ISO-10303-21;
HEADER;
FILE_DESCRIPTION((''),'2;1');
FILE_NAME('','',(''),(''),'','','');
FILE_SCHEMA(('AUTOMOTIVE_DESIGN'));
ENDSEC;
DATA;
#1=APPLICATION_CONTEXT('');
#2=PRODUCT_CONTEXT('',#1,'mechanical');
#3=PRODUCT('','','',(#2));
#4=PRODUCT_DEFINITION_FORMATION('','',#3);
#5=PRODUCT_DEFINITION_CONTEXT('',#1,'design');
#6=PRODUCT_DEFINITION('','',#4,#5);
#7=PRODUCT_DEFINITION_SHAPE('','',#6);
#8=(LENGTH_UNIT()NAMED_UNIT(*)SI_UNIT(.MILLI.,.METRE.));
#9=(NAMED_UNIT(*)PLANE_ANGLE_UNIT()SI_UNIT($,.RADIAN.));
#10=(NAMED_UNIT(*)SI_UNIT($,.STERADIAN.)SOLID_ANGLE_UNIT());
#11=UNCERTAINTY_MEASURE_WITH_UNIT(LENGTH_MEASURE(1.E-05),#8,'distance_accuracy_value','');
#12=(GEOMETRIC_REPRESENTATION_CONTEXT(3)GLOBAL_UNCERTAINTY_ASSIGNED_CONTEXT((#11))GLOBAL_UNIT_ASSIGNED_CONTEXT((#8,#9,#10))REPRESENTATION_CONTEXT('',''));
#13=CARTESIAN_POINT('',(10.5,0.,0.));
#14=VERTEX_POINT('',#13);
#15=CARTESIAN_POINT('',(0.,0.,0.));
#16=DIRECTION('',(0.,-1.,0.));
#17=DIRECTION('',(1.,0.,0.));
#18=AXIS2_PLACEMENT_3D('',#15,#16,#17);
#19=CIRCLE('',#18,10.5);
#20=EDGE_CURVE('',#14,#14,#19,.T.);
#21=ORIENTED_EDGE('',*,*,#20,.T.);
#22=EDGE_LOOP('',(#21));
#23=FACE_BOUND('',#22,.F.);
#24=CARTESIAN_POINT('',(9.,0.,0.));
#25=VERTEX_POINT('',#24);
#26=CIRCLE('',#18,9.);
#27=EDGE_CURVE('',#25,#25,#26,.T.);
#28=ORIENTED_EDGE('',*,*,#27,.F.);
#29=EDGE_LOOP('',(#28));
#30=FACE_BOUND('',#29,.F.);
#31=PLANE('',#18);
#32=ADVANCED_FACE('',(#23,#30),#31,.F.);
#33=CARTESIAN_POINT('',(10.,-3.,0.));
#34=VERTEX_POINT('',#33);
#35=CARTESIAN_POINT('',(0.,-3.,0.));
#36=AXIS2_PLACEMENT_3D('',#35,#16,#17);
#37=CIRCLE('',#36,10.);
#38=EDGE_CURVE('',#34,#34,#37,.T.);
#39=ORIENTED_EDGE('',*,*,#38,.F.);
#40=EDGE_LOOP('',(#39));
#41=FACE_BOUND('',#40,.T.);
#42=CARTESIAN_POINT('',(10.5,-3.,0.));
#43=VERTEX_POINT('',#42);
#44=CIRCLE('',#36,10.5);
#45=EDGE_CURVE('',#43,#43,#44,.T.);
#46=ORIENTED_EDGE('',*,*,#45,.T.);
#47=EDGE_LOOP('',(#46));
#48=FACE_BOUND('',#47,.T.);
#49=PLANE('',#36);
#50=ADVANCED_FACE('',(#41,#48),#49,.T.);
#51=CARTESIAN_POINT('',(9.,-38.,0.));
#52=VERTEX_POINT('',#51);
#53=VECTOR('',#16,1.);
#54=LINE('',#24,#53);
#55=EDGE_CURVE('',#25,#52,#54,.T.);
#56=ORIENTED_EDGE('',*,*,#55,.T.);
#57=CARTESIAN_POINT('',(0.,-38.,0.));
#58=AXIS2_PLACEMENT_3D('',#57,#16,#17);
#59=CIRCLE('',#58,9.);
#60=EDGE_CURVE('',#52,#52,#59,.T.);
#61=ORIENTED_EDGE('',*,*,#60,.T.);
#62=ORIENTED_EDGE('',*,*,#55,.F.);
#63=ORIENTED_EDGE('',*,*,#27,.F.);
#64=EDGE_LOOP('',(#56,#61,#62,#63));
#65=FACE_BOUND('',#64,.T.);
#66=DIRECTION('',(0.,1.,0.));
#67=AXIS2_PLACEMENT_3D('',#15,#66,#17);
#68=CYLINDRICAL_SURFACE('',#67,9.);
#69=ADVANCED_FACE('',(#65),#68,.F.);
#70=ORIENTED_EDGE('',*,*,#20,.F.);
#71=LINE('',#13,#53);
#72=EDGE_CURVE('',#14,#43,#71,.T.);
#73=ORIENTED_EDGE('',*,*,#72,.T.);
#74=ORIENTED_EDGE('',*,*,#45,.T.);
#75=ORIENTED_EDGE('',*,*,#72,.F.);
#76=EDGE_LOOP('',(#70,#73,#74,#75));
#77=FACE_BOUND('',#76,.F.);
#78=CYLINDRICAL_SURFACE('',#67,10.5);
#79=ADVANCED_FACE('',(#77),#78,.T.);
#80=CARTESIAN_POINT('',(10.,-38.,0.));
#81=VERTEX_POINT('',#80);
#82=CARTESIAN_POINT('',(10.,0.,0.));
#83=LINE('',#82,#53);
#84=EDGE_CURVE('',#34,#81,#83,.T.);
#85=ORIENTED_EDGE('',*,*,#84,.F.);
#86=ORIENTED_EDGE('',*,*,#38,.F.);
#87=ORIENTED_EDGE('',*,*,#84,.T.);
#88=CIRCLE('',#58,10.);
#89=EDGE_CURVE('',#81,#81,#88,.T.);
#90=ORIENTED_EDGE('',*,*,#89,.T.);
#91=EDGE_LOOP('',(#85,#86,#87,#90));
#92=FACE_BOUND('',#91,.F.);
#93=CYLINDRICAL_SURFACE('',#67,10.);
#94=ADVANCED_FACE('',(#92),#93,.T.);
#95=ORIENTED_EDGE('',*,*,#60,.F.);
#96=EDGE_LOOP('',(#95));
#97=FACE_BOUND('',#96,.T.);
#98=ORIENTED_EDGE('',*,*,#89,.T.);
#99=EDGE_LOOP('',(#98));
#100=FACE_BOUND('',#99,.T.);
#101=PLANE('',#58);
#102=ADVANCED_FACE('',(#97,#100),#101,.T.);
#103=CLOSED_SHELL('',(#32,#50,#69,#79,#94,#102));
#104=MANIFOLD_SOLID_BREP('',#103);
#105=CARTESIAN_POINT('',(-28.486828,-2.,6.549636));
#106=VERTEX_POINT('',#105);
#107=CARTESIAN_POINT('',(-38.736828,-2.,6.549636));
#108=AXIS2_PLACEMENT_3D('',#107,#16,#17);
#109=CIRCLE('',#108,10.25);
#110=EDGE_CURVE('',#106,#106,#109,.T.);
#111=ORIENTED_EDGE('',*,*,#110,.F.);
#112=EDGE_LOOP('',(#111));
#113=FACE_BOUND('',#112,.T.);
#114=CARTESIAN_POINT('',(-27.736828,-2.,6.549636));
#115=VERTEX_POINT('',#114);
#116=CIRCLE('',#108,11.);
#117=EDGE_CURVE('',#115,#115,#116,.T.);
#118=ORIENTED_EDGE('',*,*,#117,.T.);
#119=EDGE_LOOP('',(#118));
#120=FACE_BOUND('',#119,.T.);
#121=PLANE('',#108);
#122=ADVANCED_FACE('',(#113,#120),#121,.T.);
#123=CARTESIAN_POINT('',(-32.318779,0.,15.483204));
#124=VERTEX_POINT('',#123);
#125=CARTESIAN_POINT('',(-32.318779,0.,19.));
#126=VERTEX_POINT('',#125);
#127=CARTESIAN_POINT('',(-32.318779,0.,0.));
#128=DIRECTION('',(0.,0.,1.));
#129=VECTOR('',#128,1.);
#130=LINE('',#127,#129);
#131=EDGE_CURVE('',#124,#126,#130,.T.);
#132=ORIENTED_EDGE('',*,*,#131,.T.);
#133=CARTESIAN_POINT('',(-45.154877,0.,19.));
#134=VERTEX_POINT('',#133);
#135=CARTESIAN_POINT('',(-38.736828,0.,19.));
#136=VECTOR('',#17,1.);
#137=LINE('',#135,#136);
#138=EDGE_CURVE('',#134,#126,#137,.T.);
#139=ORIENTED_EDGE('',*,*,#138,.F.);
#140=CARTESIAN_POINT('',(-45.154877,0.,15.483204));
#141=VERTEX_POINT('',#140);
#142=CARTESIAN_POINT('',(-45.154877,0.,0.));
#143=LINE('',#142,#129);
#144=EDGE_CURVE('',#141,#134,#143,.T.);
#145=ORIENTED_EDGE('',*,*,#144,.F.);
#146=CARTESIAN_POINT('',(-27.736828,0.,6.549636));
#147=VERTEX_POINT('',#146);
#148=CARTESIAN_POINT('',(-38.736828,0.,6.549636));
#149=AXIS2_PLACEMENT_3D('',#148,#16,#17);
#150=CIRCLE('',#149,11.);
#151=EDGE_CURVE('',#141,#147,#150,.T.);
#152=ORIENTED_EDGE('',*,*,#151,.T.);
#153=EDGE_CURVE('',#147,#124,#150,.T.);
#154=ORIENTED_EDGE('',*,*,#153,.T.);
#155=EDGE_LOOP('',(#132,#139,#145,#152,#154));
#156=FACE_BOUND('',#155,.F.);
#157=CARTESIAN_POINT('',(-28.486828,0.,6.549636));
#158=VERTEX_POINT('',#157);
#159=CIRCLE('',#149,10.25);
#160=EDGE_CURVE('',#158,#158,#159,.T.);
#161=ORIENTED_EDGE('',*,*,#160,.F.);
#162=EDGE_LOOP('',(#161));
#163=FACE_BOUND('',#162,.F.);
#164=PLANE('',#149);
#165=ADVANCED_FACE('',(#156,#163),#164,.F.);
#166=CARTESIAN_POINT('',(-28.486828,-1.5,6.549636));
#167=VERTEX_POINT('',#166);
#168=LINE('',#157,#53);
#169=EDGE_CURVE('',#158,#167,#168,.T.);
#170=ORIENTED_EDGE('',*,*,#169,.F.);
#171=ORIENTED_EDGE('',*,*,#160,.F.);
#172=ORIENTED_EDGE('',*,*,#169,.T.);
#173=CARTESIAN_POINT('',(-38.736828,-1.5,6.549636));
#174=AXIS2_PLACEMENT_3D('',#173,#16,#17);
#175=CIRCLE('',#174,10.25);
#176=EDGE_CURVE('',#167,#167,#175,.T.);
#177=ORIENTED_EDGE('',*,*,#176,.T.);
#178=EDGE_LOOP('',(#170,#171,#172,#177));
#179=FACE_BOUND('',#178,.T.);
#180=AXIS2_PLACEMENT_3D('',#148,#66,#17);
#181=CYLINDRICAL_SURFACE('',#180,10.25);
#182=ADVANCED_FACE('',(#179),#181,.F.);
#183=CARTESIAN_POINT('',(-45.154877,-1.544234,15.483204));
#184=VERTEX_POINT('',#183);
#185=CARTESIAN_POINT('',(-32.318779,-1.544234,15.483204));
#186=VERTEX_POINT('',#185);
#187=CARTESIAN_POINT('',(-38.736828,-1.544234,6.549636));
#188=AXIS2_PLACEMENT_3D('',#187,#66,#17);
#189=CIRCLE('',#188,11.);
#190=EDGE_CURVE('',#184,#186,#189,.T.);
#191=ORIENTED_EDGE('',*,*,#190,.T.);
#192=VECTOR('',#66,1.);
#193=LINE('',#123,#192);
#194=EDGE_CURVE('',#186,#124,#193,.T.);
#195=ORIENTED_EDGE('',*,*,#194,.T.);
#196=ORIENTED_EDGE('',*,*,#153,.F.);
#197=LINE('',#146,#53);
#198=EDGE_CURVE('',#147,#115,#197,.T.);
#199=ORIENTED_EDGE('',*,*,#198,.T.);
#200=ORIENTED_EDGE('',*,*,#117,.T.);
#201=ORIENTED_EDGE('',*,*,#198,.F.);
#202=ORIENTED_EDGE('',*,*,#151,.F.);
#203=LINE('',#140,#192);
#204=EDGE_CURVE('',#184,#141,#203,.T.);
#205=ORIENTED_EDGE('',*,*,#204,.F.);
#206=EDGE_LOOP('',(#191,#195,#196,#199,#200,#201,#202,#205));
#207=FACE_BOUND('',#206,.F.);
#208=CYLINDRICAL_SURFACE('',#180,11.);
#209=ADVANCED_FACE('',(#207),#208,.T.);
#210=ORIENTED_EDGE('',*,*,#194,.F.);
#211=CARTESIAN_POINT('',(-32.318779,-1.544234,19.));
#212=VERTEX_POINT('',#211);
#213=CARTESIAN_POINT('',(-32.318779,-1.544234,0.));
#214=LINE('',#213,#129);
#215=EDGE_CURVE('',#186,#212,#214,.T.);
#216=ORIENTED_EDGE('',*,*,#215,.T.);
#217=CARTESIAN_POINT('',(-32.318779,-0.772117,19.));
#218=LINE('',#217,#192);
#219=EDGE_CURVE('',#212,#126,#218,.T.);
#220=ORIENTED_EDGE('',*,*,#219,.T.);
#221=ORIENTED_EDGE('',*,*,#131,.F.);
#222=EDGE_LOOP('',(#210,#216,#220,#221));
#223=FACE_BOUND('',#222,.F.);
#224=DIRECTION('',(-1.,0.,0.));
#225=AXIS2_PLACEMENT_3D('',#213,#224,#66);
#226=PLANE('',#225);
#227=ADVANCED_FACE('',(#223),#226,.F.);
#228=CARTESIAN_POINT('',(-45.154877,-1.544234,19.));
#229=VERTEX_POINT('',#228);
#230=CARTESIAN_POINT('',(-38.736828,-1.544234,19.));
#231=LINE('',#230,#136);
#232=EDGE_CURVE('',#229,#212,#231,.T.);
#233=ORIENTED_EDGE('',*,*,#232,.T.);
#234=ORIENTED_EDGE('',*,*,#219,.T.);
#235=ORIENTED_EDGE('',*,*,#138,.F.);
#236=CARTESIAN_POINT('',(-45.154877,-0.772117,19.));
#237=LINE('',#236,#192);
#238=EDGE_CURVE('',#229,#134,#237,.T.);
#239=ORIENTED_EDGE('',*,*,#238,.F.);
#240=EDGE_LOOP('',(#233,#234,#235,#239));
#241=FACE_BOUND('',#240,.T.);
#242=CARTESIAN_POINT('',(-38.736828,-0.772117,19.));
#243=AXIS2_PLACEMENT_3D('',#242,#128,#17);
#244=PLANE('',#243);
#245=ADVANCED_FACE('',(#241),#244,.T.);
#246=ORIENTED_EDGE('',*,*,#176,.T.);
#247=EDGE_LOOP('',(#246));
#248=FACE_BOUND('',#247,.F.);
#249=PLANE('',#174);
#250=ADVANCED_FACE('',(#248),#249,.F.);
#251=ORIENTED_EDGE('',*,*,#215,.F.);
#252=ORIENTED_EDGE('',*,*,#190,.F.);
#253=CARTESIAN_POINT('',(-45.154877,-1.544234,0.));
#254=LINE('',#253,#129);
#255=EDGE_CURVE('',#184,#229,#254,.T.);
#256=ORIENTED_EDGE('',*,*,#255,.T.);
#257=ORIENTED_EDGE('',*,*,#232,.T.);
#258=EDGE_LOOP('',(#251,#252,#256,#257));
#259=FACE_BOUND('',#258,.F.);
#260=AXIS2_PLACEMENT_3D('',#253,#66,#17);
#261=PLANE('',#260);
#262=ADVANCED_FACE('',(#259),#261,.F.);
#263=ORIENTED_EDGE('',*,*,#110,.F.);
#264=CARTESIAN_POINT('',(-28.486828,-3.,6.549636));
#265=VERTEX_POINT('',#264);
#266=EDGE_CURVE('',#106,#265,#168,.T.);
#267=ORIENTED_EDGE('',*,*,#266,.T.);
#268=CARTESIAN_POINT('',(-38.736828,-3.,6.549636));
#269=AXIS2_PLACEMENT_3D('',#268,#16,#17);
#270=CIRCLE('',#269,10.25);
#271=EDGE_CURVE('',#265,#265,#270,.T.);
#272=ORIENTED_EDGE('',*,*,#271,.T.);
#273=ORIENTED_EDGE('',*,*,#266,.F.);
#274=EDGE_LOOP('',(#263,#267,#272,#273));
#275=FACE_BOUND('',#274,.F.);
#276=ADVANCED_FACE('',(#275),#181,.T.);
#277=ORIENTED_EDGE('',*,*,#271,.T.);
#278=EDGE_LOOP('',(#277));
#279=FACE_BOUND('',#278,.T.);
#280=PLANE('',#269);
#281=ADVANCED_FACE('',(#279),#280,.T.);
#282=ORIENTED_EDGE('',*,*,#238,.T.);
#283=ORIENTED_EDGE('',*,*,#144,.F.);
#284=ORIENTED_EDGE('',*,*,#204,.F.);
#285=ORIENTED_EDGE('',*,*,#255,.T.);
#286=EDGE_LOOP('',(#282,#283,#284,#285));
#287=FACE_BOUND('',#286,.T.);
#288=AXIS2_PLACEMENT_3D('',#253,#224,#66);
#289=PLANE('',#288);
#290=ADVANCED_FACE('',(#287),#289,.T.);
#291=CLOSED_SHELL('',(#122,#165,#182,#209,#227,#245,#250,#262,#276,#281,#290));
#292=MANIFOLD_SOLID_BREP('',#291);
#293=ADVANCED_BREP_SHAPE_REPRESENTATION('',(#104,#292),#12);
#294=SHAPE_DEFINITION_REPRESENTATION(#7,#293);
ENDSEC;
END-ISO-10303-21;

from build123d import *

# Parameters (mm, degrees)
F0_R     = 10
F0_R_2   = 9
F1_DEPTH = 38
F0_R_3   = 10.5
F2_DEPTH = 3
F3_R     = 11
F3_R_2   = 10.25
F4_DEPTH = 2
F5_DEPTH = 3
F6_W     = 12.836099
F6_H     = 1.544234
F7_DEPTH = 19
F8_DEPTH = 1.5


with BuildPart() as f1:
    # F0 (on Front) → F1 (new body)
    with BuildSketch(Plane.XZ):
        Circle(F0_R)
        Circle(F0_R_2, mode=Mode.SUBTRACT)
    extrude(amount=F1_DEPTH)

    # F0 (on Front) → F2 (join)
    with BuildSketch(Plane.XZ):
        Circle(F0_R_3)
        Circle(F0_R, mode=Mode.SUBTRACT)
    extrude(amount=F2_DEPTH)


with BuildPart() as f4:
    # F3 (on Front) → F4 (new body)
    with BuildSketch(Plane.XZ):
        with Locations((-38.736828, 6.549636)):
            Circle(F3_R)
        with Locations((-38.736828, 6.549636)):
            Circle(F3_R_2, mode=Mode.SUBTRACT)
    extrude(amount=F4_DEPTH)

    # F3 (on Front) → F5 (join)
    with BuildSketch(Plane.XZ):
        with Locations((-38.736828, 6.549636)):
            Circle(F3_R_2)
    extrude(amount=F5_DEPTH)

    # F6 (on Top) → F7 (join)
    with BuildSketch(Plane.XY):
        with Locations((-38.736828, -0.772117)):
            Rectangle(F6_W, F6_H)
    extrude(amount=F7_DEPTH)

    # F3 (on Front) → F8 (cut)
    with BuildSketch(Plane.XZ):
        with Locations((-38.736828, 6.549636)):
            Circle(F3_R_2)
    extrude(amount=F8_DEPTH, mode=Mode.SUBTRACT)


solid = Compound([f1.part, f4.part])
